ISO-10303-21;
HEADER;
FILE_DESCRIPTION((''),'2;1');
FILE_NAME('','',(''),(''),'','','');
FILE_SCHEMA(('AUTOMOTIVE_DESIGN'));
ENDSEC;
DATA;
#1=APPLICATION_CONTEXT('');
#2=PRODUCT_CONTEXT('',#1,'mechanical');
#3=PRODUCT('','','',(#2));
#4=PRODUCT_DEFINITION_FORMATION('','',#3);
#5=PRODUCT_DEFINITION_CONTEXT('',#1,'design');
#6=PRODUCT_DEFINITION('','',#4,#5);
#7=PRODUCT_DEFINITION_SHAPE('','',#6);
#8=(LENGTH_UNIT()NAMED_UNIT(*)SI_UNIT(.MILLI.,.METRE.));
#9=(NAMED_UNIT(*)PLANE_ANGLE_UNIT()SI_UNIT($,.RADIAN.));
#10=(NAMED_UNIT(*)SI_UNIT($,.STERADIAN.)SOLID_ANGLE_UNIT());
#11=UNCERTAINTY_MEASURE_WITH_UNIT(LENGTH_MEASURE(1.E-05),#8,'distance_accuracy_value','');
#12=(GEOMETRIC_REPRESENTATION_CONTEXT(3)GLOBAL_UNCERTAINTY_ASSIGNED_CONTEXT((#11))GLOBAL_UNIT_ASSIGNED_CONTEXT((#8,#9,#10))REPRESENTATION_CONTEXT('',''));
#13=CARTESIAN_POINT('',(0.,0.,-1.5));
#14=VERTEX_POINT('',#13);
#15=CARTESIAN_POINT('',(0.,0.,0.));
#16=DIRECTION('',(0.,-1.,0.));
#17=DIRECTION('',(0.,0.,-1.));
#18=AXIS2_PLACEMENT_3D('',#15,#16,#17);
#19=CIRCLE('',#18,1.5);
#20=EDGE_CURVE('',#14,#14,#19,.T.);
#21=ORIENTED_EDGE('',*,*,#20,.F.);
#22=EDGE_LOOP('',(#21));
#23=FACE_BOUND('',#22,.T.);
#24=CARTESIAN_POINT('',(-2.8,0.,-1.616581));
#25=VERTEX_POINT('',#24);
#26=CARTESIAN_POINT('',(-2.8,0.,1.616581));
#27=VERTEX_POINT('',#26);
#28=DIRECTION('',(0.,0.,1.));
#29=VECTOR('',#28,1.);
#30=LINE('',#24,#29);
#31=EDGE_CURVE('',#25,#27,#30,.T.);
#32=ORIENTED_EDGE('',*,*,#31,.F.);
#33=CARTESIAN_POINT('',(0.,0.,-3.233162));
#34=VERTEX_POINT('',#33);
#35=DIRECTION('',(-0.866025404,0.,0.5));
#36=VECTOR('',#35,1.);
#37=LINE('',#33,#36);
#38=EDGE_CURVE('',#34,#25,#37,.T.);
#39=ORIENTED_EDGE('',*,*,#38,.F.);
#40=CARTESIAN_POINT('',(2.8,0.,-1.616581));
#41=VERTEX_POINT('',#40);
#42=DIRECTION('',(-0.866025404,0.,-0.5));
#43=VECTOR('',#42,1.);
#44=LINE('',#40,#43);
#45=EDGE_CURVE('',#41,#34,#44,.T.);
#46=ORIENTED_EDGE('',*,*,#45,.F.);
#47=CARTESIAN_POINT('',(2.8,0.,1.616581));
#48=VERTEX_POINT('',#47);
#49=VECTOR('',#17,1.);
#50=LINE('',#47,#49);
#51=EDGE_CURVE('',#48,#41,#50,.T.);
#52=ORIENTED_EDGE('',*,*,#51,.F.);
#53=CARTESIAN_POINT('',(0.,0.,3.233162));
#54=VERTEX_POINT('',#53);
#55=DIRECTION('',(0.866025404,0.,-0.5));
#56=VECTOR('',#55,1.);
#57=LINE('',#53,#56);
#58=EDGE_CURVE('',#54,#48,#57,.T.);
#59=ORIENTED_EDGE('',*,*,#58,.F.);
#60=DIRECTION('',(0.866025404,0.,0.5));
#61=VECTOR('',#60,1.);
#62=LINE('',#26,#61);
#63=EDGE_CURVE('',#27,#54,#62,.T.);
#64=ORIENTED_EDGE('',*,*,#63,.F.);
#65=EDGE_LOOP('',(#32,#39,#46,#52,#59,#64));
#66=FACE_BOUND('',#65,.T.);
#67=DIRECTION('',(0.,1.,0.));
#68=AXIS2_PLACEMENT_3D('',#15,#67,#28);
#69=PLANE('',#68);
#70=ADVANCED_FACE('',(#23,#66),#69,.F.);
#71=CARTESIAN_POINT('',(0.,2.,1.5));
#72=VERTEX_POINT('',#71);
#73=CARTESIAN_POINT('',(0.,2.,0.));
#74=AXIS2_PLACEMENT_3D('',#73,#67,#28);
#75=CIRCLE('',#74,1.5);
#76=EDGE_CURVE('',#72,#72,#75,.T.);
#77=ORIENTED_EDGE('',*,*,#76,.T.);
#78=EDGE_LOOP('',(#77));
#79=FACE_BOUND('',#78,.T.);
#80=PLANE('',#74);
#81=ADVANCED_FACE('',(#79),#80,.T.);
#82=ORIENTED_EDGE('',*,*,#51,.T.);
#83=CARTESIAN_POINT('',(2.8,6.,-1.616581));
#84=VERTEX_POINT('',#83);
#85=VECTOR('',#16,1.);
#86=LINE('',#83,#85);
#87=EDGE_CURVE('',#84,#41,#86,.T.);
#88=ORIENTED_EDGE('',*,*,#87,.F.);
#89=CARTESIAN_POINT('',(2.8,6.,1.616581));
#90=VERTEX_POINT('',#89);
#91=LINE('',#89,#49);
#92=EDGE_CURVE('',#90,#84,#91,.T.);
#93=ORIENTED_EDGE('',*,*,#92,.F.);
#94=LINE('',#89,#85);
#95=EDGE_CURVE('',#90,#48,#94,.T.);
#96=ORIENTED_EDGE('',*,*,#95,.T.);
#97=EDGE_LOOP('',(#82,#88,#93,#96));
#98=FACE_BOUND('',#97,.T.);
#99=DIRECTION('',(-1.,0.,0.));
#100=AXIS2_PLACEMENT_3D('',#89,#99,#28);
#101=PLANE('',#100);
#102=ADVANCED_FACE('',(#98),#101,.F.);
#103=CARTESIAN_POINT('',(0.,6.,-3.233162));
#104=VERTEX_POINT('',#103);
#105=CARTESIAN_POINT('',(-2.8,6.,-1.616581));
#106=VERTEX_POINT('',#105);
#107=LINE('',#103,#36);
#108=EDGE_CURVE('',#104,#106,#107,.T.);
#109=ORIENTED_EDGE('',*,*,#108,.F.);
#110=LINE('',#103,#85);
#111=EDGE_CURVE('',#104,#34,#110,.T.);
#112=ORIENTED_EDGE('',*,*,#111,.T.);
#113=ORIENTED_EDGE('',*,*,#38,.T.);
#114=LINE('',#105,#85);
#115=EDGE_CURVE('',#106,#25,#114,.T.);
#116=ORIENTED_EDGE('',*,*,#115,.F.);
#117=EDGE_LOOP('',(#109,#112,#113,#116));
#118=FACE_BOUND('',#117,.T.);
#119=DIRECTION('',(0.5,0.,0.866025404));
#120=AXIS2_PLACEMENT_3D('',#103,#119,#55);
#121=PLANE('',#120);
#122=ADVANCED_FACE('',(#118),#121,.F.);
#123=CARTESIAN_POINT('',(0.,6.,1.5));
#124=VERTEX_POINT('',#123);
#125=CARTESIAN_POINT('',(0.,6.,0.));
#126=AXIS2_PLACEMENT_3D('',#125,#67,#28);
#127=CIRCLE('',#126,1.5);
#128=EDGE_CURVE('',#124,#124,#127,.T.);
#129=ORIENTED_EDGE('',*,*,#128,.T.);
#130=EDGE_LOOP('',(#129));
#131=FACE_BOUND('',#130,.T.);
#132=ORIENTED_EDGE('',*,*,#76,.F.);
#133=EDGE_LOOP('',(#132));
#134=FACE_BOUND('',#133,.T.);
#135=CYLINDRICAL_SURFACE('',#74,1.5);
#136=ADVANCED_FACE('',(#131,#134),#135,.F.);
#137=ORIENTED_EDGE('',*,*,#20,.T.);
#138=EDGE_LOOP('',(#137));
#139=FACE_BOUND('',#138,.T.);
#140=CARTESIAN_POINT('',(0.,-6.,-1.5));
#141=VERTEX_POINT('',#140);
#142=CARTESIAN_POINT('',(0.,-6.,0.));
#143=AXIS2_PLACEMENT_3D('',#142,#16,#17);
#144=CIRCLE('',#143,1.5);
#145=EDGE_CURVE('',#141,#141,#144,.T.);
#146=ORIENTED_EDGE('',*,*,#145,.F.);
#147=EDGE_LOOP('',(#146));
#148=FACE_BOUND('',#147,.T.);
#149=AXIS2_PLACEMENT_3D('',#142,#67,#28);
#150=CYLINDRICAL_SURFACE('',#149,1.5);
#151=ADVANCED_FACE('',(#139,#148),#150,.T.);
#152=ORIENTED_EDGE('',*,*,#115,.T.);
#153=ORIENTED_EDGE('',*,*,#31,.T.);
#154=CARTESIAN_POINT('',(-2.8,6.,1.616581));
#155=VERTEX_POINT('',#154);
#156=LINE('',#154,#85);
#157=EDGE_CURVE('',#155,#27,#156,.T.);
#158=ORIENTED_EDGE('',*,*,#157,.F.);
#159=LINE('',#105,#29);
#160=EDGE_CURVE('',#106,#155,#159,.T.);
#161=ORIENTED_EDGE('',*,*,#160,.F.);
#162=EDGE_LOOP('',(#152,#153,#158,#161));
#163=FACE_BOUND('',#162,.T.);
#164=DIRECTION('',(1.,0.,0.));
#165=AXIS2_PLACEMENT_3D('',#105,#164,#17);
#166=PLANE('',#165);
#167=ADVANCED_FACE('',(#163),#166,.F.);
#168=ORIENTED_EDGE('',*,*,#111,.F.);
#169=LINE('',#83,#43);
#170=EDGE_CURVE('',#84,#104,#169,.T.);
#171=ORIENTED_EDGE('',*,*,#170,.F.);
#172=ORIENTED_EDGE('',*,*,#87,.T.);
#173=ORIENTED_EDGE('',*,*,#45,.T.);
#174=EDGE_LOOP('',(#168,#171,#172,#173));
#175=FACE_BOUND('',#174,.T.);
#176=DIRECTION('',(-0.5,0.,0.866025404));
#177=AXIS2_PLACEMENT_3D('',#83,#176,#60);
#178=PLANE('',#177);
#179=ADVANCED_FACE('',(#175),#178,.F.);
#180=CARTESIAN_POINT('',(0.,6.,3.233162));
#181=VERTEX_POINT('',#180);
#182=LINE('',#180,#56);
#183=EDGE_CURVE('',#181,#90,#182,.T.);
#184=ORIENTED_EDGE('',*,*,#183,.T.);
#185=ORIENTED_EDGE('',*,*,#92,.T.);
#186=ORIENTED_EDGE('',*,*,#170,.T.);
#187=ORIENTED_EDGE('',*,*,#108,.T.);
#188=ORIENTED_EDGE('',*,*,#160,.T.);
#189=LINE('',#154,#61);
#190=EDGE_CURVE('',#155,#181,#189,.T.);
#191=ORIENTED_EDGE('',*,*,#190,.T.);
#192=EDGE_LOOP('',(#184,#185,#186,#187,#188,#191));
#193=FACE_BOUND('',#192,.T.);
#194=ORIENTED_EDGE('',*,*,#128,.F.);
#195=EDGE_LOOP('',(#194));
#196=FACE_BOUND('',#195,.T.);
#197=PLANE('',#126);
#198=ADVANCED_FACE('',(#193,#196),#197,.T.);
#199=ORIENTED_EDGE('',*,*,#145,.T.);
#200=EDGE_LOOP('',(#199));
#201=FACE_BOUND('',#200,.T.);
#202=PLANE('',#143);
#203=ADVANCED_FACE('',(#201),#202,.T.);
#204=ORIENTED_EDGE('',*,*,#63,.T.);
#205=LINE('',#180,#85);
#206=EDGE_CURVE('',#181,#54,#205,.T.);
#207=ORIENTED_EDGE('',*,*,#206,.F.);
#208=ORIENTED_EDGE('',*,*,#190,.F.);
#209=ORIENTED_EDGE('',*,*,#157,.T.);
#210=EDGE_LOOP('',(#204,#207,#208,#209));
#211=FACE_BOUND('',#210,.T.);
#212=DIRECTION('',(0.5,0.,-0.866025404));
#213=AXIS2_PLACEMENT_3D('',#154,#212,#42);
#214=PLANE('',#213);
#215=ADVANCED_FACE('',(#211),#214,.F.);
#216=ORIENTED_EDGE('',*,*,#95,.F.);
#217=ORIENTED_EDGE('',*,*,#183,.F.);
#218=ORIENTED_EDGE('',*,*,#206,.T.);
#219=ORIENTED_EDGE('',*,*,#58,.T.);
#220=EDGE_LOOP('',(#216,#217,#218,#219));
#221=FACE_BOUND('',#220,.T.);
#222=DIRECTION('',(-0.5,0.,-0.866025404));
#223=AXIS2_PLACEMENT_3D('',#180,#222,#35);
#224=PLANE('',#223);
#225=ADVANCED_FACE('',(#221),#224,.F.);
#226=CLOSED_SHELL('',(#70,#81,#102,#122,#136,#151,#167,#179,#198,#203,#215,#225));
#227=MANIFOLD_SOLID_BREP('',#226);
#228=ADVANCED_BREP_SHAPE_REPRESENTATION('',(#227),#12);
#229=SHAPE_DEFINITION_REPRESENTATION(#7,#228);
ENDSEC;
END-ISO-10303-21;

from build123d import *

# Parameters (mm, degrees)
BOSS_EXTRUDE1_DEPTH = 6
SKETCH2_R           = 1.5
BOSS_EXTRUDE2_DEPTH = 6
SKETCH3_R           = 1.5
CUT_EXTRUDE1_DEPTH  = 4


with BuildPart() as part:
    # Sketch1 → Boss-Extrude1 (new body)
    with BuildSketch(Plane(origin=(0, 0, 0), x_dir=(1, 0, 0), z_dir=(0, 1, 0))):
        Polygon((0, -3.233161507), (2.8, -1.616580754), (2.8, 1.616580754), (0, 3.233161507), (-2.8, 1.616580754), (-2.8, -1.616580754), align=None)
    extrude(amount=BOSS_EXTRUDE1_DEPTH)

    # Sketch2 → Boss-Extrude2 (add)
    with BuildSketch(Plane(origin=(0, 0, 0), x_dir=(-1, 0, 0), z_dir=(0, -1, 0))):
        Circle(SKETCH2_R)
    extrude(amount=BOSS_EXTRUDE2_DEPTH)

    # Sketch3 → Cut-Extrude1 (cut)
    with BuildSketch(Plane(origin=(0, 6, 0), x_dir=(1, 0, 0), z_dir=(0, 1, 0))):
        Circle(SKETCH3_R)
    extrude(amount=-CUT_EXTRUDE1_DEPTH, mode=Mode.SUBTRACT)


solid = part.part
